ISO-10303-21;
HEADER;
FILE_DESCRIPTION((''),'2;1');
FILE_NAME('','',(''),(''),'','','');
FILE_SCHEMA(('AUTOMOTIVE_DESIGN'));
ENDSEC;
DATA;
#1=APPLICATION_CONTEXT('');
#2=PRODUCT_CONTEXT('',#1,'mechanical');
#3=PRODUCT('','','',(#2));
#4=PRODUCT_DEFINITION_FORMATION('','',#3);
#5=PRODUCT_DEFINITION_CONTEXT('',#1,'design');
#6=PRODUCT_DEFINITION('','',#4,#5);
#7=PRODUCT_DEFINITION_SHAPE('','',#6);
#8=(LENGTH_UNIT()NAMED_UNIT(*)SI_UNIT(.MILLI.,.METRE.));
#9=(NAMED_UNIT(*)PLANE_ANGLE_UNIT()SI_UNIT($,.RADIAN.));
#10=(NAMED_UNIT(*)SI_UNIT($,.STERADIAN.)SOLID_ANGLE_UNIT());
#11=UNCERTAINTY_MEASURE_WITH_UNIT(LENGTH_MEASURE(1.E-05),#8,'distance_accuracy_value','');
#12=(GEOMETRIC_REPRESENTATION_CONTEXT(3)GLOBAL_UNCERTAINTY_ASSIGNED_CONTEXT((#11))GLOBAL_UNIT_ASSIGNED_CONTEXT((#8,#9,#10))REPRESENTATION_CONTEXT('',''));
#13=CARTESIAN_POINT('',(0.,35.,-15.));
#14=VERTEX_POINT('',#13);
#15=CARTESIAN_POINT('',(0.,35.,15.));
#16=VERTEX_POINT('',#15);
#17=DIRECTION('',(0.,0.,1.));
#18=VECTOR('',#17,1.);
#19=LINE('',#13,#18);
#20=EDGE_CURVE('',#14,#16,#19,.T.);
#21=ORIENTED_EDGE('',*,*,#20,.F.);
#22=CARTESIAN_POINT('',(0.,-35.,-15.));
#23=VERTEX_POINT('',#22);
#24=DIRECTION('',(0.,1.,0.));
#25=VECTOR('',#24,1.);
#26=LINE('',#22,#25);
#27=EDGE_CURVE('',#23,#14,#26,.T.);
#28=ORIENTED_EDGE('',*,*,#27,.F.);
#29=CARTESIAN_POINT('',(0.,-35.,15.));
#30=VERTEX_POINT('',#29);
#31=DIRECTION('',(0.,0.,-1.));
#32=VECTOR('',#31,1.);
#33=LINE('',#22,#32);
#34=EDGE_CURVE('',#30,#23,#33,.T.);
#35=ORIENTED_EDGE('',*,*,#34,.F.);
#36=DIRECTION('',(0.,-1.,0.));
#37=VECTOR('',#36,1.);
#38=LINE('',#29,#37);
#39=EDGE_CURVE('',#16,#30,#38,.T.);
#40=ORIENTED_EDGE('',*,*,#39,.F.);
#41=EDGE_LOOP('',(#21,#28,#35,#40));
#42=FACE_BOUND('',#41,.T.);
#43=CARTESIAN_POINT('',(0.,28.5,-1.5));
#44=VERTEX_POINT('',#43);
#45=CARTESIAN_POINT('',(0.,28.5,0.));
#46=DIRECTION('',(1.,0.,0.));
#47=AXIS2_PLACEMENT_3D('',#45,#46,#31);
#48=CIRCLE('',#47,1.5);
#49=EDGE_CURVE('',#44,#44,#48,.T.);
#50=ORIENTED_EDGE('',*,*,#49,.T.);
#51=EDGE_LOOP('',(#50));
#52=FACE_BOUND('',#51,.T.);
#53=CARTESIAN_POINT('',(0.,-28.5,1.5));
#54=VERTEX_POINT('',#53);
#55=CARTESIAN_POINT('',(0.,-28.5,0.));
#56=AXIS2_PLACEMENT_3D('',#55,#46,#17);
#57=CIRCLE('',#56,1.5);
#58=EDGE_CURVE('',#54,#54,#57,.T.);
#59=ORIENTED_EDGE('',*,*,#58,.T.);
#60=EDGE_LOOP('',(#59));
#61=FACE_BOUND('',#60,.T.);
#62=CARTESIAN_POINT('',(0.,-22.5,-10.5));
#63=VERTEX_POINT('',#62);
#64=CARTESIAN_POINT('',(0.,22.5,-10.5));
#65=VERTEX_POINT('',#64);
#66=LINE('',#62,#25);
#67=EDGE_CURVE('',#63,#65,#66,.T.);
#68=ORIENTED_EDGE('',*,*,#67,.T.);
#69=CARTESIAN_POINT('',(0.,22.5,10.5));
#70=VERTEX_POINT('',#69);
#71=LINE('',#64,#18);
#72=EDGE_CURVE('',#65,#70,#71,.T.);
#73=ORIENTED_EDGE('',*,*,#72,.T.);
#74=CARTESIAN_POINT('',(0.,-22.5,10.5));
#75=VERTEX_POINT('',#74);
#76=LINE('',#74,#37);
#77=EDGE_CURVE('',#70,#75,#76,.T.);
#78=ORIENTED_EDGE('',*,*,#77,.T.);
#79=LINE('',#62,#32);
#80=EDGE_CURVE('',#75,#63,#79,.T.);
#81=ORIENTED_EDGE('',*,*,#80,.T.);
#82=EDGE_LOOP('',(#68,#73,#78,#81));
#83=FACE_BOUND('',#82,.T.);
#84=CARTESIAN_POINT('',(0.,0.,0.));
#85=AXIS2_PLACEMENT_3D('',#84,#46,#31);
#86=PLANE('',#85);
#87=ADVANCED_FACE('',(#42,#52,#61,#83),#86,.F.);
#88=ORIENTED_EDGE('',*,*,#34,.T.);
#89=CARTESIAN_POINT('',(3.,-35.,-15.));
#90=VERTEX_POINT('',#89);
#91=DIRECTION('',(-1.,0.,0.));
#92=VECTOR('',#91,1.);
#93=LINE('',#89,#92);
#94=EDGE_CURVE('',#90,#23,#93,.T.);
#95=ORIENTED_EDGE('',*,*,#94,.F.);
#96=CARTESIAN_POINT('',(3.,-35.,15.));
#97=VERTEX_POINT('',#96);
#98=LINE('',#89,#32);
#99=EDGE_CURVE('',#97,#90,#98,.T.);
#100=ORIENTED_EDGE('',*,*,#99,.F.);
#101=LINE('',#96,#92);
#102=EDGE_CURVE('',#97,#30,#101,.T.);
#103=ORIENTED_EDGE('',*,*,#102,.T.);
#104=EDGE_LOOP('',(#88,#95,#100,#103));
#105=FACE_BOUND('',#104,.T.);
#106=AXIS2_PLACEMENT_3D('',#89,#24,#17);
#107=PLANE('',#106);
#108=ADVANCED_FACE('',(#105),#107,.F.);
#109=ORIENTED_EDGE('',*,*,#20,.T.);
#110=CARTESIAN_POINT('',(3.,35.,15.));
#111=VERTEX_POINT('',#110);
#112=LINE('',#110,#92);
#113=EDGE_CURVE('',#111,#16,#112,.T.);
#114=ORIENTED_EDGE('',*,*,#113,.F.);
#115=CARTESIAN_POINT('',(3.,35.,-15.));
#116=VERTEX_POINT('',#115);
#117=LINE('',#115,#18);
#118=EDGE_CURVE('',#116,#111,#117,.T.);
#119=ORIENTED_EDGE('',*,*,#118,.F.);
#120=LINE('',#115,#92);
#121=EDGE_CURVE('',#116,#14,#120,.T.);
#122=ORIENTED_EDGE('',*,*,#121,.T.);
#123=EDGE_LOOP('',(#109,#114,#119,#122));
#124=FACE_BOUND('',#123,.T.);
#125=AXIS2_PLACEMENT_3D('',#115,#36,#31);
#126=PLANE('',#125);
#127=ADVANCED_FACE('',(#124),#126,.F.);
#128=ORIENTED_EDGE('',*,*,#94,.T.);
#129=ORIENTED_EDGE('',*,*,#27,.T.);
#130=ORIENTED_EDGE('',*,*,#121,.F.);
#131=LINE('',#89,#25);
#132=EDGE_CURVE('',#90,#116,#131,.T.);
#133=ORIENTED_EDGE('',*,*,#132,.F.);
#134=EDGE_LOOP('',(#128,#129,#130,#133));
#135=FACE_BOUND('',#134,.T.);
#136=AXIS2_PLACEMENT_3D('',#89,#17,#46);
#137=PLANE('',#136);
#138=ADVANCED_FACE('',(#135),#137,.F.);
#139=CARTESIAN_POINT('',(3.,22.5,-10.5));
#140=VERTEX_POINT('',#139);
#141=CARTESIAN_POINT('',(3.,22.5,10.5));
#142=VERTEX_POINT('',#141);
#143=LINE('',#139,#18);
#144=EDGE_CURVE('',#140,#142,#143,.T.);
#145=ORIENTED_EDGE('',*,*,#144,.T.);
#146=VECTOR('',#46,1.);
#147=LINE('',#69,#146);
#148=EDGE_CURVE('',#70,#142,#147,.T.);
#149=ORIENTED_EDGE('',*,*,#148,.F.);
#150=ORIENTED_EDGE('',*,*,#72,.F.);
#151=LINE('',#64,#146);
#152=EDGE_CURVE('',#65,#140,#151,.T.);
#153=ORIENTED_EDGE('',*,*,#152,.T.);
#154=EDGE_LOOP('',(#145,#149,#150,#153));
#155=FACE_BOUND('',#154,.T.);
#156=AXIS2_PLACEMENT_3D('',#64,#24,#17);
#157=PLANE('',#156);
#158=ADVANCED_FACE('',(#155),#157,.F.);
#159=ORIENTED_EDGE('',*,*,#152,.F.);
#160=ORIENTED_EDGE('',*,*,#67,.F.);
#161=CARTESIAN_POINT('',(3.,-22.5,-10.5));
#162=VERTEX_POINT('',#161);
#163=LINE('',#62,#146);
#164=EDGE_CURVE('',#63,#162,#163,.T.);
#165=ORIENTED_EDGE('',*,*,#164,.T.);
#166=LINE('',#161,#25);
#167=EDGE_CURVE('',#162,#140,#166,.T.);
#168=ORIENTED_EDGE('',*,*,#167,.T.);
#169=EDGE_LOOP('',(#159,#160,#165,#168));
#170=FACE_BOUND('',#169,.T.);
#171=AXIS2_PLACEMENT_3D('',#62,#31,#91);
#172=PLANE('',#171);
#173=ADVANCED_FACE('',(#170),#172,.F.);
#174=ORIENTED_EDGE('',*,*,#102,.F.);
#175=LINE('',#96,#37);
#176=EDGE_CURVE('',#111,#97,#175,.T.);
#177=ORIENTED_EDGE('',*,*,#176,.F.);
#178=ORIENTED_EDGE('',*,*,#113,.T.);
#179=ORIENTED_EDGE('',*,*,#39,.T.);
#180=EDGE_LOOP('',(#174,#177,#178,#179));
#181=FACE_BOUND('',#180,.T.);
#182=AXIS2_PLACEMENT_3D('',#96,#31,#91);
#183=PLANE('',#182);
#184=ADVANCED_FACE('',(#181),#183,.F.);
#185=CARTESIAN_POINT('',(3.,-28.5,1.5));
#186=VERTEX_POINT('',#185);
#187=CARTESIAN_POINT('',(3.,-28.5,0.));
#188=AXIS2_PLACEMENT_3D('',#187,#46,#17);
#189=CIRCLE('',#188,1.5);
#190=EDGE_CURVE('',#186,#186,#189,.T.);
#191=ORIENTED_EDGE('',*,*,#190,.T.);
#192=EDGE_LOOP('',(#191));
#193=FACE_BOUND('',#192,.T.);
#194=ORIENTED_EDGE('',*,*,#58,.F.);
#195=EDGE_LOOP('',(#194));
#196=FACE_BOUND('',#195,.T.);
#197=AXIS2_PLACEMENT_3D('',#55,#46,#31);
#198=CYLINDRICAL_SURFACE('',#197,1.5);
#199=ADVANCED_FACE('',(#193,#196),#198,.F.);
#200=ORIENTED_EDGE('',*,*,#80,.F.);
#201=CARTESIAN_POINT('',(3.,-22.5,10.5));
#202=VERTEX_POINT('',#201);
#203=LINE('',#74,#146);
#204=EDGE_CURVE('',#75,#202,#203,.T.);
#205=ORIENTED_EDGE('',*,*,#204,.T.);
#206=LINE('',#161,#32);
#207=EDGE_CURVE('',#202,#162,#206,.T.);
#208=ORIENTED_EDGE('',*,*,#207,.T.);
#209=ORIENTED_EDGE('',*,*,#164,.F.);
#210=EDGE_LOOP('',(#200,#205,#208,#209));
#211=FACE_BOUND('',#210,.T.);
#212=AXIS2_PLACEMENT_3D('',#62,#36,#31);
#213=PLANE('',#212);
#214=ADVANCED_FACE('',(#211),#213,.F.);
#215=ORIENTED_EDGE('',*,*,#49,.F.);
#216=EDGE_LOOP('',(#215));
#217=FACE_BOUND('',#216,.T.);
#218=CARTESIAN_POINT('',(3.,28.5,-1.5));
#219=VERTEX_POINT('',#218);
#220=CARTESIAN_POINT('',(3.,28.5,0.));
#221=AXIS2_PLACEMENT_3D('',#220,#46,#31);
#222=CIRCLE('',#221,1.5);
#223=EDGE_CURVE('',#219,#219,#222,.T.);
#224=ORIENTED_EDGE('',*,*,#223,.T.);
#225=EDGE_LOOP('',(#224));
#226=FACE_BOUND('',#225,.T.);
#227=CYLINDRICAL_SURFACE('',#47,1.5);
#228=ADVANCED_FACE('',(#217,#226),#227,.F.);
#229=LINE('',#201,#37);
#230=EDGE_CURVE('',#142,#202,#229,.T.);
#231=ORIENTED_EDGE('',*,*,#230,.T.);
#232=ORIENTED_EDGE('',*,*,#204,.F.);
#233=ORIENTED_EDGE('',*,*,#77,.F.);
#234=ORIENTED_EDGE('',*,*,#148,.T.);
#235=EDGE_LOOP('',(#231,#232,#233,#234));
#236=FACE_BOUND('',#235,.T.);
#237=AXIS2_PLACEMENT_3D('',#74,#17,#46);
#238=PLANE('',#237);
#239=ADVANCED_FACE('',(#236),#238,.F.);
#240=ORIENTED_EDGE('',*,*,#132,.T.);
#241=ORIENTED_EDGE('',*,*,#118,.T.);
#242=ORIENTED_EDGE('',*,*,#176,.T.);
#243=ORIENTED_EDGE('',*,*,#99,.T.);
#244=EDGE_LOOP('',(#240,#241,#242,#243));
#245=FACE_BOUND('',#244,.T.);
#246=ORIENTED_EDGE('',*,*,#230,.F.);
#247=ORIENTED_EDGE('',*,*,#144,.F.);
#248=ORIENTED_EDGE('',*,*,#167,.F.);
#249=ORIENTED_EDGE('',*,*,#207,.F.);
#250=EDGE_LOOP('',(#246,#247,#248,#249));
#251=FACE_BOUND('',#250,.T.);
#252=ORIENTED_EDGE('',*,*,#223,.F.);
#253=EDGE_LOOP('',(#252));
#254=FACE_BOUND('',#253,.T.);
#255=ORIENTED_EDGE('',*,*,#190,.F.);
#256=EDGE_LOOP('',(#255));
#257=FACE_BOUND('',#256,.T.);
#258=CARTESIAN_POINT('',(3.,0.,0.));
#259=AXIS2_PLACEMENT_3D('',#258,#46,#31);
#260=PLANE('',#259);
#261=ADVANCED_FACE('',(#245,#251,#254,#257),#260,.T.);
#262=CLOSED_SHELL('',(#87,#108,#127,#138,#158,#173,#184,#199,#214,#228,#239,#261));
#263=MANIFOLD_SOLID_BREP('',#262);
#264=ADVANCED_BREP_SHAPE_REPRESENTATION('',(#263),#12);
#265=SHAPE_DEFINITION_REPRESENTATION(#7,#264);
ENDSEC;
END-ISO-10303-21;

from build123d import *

# Parameters (mm, degrees)
SKETCH1_W           = 30
SKETCH1_H           = 70
BOSS_EXTRUDE1_DEPTH = 3
SKETCH2_R           = 1.5
SKETCH2_W           = 21
SKETCH2_H           = 45
CUT_EXTRUDE1_DEPTH  = 39.19685851


with BuildPart() as part:
    # Sketch1 → Boss-Extrude1 (new body)
    with BuildSketch(Plane(origin=(0, 0, 0), x_dir=(0, 0, -1), z_dir=(1, 0, 0))):
        Rectangle(SKETCH1_W, SKETCH1_H)
    extrude(amount=BOSS_EXTRUDE1_DEPTH)

    # Sketch2 → Cut-Extrude1 (cut, through all)
    with BuildSketch(Plane(origin=(3, 0, 0), x_dir=(0, 0, -1), z_dir=(1, 0, 0))):
        with Locations((0, 28.5)):
            Circle(SKETCH2_R)
        with Locations(Location((0, -28.5, 0), (0, 0, 180))):
            Circle(SKETCH2_R)
        Rectangle(SKETCH2_W, SKETCH2_H)
    extrude(amount=-CUT_EXTRUDE1_DEPTH, mode=Mode.SUBTRACT)


solid = part.part
